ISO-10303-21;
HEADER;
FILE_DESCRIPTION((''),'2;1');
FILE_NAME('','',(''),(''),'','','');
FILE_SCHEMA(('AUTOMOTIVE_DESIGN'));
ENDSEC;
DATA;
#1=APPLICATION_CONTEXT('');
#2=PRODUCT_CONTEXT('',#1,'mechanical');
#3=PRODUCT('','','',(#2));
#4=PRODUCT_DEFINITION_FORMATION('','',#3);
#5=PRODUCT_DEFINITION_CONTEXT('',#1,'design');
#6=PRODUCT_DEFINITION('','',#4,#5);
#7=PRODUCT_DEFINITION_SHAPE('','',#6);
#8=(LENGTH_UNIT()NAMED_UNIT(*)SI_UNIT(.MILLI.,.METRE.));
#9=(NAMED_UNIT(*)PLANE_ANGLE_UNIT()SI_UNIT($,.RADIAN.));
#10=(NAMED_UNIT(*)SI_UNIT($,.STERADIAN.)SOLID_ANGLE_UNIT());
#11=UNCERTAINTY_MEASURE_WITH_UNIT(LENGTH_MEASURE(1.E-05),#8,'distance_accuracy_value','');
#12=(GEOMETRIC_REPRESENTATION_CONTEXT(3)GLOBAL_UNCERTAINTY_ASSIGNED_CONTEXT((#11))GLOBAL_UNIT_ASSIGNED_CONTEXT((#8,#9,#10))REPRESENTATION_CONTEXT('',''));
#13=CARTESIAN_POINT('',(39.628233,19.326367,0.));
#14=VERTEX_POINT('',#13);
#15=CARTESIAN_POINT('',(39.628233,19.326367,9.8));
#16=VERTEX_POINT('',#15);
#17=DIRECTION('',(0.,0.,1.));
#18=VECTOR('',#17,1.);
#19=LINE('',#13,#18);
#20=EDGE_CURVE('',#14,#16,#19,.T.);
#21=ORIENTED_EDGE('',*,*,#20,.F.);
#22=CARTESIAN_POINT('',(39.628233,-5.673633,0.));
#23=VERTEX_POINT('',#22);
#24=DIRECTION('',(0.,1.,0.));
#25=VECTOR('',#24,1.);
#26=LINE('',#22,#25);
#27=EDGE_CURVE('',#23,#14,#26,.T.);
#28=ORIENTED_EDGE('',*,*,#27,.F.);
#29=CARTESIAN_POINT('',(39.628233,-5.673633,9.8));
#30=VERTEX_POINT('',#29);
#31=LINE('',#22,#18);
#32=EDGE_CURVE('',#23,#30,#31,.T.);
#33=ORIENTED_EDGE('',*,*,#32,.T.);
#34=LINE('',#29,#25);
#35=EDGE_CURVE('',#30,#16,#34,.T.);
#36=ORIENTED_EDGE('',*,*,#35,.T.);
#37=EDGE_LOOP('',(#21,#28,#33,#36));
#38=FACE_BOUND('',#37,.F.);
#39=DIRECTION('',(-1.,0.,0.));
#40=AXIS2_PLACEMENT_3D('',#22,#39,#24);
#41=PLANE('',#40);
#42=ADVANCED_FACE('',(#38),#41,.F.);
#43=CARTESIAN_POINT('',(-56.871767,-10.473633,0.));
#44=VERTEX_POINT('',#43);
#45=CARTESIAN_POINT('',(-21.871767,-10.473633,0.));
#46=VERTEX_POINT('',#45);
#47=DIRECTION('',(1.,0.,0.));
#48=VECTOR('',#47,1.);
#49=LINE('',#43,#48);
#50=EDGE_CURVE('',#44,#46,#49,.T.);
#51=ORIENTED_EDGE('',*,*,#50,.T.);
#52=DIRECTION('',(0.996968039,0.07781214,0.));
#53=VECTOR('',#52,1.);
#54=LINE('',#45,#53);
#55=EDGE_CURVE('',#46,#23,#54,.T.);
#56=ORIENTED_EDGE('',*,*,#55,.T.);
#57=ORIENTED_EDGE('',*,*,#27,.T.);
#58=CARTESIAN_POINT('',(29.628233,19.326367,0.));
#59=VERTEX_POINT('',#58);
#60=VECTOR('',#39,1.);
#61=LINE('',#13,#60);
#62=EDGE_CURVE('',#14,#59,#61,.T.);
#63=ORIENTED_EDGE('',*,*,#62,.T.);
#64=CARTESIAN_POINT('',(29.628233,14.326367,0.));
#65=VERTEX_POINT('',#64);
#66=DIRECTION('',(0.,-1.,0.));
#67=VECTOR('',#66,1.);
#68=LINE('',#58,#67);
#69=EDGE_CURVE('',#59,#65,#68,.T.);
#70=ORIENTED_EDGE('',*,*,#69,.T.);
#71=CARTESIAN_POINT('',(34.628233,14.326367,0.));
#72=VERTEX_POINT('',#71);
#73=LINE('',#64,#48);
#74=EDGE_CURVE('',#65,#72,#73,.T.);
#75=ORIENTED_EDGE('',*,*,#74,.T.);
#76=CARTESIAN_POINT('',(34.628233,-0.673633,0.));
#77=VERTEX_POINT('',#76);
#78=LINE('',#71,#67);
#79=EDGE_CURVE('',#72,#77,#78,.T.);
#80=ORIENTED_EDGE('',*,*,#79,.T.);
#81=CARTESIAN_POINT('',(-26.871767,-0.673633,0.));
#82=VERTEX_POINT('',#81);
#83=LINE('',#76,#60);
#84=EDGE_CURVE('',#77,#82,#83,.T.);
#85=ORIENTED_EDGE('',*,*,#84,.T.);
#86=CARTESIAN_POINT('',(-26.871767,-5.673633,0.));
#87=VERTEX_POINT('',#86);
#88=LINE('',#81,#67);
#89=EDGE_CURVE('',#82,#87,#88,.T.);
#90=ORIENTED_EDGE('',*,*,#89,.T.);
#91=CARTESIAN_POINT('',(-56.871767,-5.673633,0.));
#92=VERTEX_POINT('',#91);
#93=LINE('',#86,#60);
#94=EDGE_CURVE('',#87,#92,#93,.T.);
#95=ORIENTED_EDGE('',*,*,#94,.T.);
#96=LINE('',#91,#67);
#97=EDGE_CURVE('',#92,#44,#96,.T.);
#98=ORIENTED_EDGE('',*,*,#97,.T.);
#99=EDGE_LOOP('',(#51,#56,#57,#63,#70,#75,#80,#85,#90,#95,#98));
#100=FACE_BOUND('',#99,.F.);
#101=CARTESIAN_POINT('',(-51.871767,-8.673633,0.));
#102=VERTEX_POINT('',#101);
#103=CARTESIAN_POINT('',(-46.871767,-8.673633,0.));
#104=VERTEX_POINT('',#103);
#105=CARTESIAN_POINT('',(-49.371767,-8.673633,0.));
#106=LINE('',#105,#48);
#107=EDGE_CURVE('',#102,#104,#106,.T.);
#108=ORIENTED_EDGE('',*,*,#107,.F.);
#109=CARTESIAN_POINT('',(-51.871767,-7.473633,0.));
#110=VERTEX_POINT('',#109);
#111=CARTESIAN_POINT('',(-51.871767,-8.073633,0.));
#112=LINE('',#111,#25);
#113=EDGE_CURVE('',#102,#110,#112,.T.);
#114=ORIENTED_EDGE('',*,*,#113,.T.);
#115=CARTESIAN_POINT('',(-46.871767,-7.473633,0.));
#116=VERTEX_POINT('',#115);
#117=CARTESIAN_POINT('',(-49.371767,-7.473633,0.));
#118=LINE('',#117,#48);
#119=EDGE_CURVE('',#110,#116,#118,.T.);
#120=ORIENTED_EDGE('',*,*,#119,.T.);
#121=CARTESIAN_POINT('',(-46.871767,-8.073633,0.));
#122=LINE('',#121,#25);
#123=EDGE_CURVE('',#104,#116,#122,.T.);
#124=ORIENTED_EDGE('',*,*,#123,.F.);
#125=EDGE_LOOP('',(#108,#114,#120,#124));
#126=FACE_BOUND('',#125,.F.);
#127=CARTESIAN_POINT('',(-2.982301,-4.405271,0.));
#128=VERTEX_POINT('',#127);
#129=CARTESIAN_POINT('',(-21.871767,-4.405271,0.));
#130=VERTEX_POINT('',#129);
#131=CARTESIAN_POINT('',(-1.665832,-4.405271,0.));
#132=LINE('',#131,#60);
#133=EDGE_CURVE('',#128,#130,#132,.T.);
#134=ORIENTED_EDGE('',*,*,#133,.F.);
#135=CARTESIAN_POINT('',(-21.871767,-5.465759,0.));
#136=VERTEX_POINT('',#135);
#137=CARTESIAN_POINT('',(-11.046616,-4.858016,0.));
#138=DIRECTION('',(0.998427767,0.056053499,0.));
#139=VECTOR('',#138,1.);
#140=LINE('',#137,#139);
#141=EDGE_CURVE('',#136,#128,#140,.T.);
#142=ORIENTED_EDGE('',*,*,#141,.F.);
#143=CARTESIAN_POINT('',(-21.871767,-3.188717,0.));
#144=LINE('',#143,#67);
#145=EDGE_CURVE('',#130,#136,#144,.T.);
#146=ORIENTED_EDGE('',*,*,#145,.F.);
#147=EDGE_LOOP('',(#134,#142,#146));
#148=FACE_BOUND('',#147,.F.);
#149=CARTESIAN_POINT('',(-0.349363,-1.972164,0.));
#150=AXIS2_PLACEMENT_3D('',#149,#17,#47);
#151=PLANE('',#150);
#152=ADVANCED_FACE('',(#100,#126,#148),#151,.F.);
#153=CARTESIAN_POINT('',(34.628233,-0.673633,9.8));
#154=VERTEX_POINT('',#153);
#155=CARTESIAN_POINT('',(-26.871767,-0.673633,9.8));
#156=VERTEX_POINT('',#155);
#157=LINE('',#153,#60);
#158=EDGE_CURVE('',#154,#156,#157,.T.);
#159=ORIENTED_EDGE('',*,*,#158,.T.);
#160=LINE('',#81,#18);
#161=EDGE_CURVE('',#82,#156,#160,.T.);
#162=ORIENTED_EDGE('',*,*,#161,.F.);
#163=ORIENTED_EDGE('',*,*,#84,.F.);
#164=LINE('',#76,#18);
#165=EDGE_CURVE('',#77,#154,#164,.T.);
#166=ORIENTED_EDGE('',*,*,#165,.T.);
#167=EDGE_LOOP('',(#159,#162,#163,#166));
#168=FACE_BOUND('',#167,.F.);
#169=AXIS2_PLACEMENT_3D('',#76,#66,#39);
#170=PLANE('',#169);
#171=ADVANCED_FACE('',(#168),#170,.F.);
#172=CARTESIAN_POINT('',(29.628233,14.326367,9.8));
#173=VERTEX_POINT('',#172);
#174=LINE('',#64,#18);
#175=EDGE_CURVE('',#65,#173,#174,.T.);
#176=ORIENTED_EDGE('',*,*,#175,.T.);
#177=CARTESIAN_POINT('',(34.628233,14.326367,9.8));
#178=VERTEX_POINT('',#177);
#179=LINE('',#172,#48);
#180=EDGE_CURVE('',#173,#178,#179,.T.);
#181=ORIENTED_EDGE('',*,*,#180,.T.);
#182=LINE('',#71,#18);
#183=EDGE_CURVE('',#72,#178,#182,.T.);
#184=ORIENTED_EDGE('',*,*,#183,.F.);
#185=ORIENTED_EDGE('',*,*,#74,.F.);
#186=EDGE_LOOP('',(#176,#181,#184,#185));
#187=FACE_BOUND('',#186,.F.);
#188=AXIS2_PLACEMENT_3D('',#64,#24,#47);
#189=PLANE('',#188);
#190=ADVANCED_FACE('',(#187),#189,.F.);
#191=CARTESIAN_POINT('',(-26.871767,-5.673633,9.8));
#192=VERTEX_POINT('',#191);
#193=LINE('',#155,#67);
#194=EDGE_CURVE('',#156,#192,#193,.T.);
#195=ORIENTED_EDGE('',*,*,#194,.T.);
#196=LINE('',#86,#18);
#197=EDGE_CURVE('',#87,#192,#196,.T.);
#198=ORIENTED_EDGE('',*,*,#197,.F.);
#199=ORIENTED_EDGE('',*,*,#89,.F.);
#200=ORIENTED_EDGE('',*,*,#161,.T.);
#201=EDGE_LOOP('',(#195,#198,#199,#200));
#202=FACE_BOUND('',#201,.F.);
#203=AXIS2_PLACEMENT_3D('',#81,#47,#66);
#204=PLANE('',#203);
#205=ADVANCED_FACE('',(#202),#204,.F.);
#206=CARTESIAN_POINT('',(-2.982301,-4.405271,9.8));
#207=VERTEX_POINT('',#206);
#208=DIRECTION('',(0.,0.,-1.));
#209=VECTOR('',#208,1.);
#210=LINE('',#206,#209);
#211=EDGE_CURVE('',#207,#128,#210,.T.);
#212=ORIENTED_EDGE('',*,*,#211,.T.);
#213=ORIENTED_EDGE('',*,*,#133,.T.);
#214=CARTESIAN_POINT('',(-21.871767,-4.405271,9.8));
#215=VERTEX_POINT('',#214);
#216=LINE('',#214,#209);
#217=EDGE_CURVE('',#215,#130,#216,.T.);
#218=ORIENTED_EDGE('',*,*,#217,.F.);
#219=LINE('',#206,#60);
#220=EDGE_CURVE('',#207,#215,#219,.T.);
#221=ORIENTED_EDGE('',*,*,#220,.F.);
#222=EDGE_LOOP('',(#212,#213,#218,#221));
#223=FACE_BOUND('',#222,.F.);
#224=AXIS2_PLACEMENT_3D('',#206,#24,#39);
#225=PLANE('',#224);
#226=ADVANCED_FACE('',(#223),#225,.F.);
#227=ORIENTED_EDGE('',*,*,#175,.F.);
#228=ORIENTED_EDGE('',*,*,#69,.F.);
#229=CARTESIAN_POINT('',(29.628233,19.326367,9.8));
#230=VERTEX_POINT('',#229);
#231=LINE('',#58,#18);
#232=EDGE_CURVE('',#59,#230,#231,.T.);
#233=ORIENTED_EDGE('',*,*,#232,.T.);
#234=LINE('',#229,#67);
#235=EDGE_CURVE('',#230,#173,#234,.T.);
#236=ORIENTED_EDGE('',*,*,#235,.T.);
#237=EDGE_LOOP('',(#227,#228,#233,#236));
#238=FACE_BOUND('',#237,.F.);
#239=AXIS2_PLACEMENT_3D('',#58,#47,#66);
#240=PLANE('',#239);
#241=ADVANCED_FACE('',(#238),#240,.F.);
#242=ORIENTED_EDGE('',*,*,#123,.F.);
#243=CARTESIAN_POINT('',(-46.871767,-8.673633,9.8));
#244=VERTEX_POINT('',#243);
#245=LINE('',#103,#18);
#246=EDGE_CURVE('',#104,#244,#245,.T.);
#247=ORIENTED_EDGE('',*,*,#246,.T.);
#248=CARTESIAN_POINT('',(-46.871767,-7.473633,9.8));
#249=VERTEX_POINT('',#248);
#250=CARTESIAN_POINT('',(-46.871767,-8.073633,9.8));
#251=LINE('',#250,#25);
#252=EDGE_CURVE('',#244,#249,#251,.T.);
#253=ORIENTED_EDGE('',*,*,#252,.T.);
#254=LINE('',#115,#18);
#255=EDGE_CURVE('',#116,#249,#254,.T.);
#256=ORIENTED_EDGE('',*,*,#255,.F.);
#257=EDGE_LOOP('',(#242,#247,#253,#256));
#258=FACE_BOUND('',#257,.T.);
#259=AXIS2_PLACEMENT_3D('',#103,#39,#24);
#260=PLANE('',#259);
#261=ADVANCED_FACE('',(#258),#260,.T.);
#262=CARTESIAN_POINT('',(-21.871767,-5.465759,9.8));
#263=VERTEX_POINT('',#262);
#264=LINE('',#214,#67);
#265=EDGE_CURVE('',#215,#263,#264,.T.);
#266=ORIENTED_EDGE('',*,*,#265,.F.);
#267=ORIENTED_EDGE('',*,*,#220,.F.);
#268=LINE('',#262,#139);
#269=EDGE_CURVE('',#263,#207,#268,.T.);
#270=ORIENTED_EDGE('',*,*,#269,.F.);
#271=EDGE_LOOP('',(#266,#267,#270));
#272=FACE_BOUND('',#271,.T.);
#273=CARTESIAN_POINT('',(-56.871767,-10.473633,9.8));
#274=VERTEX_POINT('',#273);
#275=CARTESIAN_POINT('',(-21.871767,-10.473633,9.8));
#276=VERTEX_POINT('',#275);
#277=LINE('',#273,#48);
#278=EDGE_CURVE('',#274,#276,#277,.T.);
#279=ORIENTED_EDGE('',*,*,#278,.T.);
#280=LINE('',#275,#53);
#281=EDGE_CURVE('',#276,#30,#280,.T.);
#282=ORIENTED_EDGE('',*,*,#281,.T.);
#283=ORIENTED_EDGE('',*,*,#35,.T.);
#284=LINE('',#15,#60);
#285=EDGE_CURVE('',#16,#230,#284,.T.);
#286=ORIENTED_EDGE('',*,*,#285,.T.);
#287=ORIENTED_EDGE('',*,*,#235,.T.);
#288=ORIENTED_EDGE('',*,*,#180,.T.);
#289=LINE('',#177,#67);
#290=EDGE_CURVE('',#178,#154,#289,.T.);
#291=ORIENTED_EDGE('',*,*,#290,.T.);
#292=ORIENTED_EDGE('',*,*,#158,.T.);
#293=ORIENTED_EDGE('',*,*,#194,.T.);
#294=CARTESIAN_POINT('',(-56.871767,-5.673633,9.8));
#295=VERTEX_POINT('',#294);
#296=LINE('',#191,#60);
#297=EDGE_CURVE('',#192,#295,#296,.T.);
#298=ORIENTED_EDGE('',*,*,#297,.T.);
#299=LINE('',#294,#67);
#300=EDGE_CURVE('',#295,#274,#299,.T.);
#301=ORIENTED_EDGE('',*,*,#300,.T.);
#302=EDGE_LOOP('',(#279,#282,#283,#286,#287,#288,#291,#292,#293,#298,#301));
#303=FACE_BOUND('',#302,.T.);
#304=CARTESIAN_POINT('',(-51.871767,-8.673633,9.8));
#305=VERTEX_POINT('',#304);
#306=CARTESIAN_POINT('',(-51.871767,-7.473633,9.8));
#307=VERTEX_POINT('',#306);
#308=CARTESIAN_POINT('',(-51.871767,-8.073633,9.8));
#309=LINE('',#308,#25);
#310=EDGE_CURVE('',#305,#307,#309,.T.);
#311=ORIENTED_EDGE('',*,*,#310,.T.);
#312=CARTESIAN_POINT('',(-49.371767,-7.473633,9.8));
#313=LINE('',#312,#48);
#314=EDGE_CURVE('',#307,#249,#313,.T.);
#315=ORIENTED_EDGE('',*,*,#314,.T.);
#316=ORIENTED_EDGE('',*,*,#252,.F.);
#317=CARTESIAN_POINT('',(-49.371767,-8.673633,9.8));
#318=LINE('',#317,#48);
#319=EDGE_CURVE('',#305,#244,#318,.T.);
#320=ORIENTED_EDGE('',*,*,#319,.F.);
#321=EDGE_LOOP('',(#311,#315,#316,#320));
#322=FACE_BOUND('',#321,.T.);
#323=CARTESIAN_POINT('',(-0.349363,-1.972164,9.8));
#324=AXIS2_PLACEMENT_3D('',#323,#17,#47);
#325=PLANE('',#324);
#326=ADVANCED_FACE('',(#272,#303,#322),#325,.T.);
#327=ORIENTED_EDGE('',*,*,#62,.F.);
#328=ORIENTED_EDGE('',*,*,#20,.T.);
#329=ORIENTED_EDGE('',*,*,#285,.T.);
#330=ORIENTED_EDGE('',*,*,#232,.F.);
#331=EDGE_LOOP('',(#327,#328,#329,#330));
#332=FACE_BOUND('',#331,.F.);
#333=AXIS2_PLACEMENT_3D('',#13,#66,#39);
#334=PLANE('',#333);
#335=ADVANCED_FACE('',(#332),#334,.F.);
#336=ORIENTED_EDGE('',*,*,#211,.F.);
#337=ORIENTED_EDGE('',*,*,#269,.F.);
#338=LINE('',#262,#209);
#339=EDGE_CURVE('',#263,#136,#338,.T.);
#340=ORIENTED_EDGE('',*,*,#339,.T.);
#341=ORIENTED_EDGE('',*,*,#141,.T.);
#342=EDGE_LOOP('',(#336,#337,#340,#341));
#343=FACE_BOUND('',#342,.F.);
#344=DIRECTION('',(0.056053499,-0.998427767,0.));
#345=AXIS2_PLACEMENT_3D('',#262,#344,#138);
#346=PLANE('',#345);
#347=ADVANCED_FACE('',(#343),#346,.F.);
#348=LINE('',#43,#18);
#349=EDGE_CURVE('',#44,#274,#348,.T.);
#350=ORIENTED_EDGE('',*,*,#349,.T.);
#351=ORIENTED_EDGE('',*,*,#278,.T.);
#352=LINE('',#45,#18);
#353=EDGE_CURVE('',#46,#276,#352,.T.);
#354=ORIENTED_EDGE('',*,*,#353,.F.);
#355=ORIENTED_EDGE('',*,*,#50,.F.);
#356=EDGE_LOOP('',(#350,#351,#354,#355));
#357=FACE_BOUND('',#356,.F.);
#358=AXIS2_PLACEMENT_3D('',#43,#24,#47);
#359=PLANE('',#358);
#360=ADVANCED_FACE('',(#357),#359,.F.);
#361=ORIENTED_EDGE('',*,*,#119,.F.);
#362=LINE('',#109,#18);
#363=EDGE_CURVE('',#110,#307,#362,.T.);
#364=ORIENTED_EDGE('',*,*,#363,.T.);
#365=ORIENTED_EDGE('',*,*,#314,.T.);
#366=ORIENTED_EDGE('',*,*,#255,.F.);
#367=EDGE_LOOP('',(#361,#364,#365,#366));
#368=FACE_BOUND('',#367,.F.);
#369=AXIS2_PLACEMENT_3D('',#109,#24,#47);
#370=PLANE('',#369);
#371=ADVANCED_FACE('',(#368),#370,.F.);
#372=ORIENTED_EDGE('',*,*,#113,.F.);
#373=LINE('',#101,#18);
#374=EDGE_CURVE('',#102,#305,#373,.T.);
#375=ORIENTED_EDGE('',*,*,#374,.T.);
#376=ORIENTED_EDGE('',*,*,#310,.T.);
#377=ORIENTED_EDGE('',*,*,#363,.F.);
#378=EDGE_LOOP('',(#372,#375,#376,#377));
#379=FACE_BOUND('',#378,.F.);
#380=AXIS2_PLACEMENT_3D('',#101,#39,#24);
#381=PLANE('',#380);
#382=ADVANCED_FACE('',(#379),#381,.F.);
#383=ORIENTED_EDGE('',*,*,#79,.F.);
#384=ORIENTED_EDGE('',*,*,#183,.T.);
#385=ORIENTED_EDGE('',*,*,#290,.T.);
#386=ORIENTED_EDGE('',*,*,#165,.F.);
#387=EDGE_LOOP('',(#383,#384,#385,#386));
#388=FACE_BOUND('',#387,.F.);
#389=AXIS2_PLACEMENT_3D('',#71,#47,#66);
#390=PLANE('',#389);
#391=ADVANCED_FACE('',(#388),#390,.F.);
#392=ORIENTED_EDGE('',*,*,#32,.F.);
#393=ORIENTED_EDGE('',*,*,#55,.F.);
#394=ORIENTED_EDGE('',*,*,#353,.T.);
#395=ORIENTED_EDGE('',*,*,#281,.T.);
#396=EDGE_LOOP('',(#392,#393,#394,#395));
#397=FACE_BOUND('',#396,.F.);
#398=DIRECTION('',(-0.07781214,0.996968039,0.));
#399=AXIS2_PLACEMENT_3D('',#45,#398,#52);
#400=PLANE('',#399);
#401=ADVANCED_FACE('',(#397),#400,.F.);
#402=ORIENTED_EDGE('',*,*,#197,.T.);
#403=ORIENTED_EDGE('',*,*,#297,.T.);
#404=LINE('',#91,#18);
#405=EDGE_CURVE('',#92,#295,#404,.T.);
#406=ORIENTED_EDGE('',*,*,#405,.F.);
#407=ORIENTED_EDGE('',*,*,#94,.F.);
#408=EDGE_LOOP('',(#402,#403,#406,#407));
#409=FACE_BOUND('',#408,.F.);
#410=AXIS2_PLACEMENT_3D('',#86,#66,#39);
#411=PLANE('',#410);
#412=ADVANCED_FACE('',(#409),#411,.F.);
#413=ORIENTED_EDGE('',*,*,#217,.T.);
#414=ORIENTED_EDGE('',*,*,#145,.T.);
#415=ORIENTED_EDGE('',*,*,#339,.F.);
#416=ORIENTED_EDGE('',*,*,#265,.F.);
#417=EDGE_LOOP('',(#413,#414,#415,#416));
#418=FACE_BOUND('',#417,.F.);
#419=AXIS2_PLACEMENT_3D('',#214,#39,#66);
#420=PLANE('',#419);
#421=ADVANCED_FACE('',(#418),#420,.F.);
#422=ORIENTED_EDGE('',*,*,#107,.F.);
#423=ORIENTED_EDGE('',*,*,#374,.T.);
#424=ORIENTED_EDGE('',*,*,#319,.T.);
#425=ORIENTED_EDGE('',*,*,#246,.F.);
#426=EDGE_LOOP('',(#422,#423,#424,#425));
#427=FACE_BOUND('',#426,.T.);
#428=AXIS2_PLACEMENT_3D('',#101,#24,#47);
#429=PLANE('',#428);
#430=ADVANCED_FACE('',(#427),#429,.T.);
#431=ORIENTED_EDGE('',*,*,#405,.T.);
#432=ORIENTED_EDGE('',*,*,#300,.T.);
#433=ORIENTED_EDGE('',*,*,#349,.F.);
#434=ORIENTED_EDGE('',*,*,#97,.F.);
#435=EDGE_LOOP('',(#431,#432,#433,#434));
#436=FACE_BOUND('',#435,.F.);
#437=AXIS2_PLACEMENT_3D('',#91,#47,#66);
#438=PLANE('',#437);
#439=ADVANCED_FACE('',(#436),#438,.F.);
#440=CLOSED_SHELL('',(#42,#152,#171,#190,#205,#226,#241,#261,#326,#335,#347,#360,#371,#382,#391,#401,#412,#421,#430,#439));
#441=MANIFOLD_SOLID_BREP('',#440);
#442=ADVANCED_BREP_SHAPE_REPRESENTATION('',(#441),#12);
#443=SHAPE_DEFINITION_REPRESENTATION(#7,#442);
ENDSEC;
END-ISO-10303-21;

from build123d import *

# Parameters (mm, degrees)
SKETCH_W     = 5
SKETCH_H     = 1.2
PAD_DEPTH    = 9.8
POCKET_DEPTH = 9.801


with BuildPart() as part:
    # Sketch → Pad (new body)
    with BuildSketch(Plane.XY):
        Polygon((-26.871767, -5.673633), (-56.871767, -5.673633), (-56.871767, -10.473633), (-21.871767, -10.473633), (39.628233, -5.673633), (39.628233, 19.326367), (29.628233, 19.326367), (29.628233, 14.326367), (34.628233, 14.326367), (34.628233, -0.673633), (-26.871767, -0.673633), align=None)
        with Locations((-49.371767, -8.073633)):
            Rectangle(SKETCH_W, SKETCH_H, mode=Mode.SUBTRACT)
    extrude(amount=PAD_DEPTH)

    # Sketch001 → Pocket (cut, through all)
    with BuildSketch(Plane.XY.offset(9.8)):
        Polygon((-21.871767, -4.405271), (-21.871767, -5.465759), (-2.982301, -4.405271), align=None)
    extrude(amount=-POCKET_DEPTH, mode=Mode.SUBTRACT)


solid = part.part
